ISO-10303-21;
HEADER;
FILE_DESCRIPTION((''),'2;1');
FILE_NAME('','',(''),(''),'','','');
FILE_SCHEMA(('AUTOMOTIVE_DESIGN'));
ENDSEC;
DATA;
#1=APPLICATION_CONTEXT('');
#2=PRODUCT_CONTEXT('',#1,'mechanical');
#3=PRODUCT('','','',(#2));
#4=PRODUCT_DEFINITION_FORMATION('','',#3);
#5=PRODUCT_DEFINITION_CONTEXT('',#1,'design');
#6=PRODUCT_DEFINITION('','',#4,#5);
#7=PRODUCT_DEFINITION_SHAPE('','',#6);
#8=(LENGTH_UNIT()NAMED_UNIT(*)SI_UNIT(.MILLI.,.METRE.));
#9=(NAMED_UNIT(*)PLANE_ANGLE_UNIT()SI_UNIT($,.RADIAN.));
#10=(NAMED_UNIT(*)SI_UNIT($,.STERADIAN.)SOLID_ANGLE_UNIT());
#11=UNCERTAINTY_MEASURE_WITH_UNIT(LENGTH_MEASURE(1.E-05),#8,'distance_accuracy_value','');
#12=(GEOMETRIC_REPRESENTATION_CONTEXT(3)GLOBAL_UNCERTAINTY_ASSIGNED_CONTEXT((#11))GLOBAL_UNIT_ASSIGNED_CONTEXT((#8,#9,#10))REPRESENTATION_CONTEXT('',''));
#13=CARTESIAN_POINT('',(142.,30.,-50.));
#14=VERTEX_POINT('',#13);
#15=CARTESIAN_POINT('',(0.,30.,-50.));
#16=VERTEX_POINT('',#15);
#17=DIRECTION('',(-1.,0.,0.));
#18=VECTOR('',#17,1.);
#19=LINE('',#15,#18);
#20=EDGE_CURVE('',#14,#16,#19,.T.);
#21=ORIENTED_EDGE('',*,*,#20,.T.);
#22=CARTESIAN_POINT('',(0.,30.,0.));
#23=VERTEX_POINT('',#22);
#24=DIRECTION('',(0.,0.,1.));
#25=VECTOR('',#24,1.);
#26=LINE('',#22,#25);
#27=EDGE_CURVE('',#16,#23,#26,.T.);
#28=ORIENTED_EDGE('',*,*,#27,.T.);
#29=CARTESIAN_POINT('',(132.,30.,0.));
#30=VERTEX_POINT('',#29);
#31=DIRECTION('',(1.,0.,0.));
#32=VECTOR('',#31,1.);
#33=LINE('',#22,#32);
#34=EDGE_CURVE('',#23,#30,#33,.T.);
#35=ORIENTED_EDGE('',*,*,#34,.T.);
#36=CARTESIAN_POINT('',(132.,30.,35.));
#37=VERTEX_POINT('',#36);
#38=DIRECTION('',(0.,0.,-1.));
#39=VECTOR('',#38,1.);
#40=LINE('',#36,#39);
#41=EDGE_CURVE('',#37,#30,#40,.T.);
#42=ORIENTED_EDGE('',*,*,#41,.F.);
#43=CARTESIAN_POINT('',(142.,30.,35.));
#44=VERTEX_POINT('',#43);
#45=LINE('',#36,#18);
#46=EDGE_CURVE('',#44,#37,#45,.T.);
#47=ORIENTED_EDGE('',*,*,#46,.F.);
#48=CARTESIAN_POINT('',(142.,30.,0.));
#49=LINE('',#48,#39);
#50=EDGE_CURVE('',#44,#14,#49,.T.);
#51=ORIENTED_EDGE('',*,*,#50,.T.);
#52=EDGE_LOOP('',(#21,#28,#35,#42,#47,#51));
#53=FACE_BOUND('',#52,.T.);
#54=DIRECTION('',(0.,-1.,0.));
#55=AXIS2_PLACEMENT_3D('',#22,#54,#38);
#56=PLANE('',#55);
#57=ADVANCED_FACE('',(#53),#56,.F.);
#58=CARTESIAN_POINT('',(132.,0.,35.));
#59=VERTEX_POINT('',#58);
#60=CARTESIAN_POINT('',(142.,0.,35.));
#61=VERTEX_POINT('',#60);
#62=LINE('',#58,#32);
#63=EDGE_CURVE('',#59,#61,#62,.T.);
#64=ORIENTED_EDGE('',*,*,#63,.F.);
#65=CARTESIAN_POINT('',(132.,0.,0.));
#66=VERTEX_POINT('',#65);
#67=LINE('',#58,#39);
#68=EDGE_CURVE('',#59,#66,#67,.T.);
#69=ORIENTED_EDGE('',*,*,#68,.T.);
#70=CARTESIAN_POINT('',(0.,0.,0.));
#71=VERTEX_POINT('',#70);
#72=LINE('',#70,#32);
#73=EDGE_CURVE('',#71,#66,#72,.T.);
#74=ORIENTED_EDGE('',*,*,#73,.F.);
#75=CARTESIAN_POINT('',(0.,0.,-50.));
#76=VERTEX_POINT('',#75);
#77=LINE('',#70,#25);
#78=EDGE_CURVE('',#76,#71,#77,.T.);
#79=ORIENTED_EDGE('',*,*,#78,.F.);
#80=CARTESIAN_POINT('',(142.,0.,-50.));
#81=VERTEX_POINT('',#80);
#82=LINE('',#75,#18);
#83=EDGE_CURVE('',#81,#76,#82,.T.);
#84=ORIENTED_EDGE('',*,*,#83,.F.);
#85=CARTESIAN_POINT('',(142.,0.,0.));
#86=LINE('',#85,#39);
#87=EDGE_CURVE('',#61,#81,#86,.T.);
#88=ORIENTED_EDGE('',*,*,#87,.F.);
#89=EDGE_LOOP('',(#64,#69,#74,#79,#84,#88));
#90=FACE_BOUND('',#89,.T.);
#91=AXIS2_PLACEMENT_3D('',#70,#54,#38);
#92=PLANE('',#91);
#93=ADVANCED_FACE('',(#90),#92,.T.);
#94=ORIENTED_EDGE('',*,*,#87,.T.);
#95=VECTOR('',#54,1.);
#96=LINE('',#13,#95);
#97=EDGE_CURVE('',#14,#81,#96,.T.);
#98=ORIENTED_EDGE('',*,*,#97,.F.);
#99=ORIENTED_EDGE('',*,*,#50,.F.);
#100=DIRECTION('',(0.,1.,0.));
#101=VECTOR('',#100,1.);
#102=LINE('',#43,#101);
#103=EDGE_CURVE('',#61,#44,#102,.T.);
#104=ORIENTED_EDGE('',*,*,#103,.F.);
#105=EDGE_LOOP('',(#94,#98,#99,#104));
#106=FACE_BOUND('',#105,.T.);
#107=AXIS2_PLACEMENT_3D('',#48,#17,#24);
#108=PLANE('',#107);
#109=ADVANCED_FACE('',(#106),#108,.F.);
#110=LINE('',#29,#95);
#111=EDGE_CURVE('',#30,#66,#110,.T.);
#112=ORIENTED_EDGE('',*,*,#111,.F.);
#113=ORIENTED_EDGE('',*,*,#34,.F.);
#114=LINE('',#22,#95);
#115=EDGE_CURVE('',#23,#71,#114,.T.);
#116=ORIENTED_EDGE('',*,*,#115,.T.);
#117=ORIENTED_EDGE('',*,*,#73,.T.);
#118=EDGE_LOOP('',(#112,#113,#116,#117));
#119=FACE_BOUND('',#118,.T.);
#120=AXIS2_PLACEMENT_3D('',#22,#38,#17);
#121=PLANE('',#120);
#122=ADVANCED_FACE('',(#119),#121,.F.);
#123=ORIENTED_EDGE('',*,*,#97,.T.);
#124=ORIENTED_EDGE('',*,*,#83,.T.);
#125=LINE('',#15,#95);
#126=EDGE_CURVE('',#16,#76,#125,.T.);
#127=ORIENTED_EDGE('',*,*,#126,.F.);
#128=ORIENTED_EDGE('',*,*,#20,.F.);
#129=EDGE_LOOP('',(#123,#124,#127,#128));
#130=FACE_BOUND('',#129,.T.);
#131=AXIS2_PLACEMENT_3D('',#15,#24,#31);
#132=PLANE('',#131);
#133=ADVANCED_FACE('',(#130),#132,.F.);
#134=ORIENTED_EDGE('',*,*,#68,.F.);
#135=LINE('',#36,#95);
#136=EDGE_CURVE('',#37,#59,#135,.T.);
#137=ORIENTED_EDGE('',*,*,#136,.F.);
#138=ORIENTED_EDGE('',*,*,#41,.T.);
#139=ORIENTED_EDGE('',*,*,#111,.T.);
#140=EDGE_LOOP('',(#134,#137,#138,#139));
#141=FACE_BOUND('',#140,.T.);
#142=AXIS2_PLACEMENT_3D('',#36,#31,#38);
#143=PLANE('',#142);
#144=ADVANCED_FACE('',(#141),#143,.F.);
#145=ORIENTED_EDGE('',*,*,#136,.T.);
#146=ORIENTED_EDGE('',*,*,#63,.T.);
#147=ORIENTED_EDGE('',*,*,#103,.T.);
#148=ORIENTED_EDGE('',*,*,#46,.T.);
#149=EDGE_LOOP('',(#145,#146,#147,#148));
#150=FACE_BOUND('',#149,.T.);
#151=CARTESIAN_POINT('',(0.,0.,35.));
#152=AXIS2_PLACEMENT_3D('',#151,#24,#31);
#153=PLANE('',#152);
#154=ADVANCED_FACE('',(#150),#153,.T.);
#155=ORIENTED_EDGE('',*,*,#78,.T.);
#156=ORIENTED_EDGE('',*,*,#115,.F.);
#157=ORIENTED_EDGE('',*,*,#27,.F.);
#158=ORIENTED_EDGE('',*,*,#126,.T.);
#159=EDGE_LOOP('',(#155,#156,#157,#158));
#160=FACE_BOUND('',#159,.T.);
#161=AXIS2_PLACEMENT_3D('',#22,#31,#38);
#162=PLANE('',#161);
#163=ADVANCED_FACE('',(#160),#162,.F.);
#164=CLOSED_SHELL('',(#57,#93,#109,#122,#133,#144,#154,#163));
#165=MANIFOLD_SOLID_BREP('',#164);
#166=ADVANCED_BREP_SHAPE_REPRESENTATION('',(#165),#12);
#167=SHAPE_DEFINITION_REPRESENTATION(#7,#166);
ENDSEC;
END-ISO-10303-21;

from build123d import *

# Parameters (mm, degrees)
SKETCH1_W           = 142
SKETCH1_H           = 50
BOSS_EXTRUDE1_DEPTH = 30
SKETCH2_W           = 10
SKETCH2_H           = 30
BOSS_EXTRUDE2_DEPTH = 35


with BuildPart() as part:
    # Sketch1 → Boss-Extrude1 (new body)
    with BuildSketch(Plane(origin=(0, 0, 0), x_dir=(1, 0, 0), z_dir=(0, 1, 0))):
        with Locations((71, 25)):
            Rectangle(SKETCH1_W, SKETCH1_H)
    extrude(amount=BOSS_EXTRUDE1_DEPTH)

    # Sketch2 → Boss-Extrude2 (add)
    with BuildSketch(Plane.XY):
        with Locations((137, 15)):
            Rectangle(SKETCH2_W, SKETCH2_H)
    extrude(amount=BOSS_EXTRUDE2_DEPTH)


solid = part.part
